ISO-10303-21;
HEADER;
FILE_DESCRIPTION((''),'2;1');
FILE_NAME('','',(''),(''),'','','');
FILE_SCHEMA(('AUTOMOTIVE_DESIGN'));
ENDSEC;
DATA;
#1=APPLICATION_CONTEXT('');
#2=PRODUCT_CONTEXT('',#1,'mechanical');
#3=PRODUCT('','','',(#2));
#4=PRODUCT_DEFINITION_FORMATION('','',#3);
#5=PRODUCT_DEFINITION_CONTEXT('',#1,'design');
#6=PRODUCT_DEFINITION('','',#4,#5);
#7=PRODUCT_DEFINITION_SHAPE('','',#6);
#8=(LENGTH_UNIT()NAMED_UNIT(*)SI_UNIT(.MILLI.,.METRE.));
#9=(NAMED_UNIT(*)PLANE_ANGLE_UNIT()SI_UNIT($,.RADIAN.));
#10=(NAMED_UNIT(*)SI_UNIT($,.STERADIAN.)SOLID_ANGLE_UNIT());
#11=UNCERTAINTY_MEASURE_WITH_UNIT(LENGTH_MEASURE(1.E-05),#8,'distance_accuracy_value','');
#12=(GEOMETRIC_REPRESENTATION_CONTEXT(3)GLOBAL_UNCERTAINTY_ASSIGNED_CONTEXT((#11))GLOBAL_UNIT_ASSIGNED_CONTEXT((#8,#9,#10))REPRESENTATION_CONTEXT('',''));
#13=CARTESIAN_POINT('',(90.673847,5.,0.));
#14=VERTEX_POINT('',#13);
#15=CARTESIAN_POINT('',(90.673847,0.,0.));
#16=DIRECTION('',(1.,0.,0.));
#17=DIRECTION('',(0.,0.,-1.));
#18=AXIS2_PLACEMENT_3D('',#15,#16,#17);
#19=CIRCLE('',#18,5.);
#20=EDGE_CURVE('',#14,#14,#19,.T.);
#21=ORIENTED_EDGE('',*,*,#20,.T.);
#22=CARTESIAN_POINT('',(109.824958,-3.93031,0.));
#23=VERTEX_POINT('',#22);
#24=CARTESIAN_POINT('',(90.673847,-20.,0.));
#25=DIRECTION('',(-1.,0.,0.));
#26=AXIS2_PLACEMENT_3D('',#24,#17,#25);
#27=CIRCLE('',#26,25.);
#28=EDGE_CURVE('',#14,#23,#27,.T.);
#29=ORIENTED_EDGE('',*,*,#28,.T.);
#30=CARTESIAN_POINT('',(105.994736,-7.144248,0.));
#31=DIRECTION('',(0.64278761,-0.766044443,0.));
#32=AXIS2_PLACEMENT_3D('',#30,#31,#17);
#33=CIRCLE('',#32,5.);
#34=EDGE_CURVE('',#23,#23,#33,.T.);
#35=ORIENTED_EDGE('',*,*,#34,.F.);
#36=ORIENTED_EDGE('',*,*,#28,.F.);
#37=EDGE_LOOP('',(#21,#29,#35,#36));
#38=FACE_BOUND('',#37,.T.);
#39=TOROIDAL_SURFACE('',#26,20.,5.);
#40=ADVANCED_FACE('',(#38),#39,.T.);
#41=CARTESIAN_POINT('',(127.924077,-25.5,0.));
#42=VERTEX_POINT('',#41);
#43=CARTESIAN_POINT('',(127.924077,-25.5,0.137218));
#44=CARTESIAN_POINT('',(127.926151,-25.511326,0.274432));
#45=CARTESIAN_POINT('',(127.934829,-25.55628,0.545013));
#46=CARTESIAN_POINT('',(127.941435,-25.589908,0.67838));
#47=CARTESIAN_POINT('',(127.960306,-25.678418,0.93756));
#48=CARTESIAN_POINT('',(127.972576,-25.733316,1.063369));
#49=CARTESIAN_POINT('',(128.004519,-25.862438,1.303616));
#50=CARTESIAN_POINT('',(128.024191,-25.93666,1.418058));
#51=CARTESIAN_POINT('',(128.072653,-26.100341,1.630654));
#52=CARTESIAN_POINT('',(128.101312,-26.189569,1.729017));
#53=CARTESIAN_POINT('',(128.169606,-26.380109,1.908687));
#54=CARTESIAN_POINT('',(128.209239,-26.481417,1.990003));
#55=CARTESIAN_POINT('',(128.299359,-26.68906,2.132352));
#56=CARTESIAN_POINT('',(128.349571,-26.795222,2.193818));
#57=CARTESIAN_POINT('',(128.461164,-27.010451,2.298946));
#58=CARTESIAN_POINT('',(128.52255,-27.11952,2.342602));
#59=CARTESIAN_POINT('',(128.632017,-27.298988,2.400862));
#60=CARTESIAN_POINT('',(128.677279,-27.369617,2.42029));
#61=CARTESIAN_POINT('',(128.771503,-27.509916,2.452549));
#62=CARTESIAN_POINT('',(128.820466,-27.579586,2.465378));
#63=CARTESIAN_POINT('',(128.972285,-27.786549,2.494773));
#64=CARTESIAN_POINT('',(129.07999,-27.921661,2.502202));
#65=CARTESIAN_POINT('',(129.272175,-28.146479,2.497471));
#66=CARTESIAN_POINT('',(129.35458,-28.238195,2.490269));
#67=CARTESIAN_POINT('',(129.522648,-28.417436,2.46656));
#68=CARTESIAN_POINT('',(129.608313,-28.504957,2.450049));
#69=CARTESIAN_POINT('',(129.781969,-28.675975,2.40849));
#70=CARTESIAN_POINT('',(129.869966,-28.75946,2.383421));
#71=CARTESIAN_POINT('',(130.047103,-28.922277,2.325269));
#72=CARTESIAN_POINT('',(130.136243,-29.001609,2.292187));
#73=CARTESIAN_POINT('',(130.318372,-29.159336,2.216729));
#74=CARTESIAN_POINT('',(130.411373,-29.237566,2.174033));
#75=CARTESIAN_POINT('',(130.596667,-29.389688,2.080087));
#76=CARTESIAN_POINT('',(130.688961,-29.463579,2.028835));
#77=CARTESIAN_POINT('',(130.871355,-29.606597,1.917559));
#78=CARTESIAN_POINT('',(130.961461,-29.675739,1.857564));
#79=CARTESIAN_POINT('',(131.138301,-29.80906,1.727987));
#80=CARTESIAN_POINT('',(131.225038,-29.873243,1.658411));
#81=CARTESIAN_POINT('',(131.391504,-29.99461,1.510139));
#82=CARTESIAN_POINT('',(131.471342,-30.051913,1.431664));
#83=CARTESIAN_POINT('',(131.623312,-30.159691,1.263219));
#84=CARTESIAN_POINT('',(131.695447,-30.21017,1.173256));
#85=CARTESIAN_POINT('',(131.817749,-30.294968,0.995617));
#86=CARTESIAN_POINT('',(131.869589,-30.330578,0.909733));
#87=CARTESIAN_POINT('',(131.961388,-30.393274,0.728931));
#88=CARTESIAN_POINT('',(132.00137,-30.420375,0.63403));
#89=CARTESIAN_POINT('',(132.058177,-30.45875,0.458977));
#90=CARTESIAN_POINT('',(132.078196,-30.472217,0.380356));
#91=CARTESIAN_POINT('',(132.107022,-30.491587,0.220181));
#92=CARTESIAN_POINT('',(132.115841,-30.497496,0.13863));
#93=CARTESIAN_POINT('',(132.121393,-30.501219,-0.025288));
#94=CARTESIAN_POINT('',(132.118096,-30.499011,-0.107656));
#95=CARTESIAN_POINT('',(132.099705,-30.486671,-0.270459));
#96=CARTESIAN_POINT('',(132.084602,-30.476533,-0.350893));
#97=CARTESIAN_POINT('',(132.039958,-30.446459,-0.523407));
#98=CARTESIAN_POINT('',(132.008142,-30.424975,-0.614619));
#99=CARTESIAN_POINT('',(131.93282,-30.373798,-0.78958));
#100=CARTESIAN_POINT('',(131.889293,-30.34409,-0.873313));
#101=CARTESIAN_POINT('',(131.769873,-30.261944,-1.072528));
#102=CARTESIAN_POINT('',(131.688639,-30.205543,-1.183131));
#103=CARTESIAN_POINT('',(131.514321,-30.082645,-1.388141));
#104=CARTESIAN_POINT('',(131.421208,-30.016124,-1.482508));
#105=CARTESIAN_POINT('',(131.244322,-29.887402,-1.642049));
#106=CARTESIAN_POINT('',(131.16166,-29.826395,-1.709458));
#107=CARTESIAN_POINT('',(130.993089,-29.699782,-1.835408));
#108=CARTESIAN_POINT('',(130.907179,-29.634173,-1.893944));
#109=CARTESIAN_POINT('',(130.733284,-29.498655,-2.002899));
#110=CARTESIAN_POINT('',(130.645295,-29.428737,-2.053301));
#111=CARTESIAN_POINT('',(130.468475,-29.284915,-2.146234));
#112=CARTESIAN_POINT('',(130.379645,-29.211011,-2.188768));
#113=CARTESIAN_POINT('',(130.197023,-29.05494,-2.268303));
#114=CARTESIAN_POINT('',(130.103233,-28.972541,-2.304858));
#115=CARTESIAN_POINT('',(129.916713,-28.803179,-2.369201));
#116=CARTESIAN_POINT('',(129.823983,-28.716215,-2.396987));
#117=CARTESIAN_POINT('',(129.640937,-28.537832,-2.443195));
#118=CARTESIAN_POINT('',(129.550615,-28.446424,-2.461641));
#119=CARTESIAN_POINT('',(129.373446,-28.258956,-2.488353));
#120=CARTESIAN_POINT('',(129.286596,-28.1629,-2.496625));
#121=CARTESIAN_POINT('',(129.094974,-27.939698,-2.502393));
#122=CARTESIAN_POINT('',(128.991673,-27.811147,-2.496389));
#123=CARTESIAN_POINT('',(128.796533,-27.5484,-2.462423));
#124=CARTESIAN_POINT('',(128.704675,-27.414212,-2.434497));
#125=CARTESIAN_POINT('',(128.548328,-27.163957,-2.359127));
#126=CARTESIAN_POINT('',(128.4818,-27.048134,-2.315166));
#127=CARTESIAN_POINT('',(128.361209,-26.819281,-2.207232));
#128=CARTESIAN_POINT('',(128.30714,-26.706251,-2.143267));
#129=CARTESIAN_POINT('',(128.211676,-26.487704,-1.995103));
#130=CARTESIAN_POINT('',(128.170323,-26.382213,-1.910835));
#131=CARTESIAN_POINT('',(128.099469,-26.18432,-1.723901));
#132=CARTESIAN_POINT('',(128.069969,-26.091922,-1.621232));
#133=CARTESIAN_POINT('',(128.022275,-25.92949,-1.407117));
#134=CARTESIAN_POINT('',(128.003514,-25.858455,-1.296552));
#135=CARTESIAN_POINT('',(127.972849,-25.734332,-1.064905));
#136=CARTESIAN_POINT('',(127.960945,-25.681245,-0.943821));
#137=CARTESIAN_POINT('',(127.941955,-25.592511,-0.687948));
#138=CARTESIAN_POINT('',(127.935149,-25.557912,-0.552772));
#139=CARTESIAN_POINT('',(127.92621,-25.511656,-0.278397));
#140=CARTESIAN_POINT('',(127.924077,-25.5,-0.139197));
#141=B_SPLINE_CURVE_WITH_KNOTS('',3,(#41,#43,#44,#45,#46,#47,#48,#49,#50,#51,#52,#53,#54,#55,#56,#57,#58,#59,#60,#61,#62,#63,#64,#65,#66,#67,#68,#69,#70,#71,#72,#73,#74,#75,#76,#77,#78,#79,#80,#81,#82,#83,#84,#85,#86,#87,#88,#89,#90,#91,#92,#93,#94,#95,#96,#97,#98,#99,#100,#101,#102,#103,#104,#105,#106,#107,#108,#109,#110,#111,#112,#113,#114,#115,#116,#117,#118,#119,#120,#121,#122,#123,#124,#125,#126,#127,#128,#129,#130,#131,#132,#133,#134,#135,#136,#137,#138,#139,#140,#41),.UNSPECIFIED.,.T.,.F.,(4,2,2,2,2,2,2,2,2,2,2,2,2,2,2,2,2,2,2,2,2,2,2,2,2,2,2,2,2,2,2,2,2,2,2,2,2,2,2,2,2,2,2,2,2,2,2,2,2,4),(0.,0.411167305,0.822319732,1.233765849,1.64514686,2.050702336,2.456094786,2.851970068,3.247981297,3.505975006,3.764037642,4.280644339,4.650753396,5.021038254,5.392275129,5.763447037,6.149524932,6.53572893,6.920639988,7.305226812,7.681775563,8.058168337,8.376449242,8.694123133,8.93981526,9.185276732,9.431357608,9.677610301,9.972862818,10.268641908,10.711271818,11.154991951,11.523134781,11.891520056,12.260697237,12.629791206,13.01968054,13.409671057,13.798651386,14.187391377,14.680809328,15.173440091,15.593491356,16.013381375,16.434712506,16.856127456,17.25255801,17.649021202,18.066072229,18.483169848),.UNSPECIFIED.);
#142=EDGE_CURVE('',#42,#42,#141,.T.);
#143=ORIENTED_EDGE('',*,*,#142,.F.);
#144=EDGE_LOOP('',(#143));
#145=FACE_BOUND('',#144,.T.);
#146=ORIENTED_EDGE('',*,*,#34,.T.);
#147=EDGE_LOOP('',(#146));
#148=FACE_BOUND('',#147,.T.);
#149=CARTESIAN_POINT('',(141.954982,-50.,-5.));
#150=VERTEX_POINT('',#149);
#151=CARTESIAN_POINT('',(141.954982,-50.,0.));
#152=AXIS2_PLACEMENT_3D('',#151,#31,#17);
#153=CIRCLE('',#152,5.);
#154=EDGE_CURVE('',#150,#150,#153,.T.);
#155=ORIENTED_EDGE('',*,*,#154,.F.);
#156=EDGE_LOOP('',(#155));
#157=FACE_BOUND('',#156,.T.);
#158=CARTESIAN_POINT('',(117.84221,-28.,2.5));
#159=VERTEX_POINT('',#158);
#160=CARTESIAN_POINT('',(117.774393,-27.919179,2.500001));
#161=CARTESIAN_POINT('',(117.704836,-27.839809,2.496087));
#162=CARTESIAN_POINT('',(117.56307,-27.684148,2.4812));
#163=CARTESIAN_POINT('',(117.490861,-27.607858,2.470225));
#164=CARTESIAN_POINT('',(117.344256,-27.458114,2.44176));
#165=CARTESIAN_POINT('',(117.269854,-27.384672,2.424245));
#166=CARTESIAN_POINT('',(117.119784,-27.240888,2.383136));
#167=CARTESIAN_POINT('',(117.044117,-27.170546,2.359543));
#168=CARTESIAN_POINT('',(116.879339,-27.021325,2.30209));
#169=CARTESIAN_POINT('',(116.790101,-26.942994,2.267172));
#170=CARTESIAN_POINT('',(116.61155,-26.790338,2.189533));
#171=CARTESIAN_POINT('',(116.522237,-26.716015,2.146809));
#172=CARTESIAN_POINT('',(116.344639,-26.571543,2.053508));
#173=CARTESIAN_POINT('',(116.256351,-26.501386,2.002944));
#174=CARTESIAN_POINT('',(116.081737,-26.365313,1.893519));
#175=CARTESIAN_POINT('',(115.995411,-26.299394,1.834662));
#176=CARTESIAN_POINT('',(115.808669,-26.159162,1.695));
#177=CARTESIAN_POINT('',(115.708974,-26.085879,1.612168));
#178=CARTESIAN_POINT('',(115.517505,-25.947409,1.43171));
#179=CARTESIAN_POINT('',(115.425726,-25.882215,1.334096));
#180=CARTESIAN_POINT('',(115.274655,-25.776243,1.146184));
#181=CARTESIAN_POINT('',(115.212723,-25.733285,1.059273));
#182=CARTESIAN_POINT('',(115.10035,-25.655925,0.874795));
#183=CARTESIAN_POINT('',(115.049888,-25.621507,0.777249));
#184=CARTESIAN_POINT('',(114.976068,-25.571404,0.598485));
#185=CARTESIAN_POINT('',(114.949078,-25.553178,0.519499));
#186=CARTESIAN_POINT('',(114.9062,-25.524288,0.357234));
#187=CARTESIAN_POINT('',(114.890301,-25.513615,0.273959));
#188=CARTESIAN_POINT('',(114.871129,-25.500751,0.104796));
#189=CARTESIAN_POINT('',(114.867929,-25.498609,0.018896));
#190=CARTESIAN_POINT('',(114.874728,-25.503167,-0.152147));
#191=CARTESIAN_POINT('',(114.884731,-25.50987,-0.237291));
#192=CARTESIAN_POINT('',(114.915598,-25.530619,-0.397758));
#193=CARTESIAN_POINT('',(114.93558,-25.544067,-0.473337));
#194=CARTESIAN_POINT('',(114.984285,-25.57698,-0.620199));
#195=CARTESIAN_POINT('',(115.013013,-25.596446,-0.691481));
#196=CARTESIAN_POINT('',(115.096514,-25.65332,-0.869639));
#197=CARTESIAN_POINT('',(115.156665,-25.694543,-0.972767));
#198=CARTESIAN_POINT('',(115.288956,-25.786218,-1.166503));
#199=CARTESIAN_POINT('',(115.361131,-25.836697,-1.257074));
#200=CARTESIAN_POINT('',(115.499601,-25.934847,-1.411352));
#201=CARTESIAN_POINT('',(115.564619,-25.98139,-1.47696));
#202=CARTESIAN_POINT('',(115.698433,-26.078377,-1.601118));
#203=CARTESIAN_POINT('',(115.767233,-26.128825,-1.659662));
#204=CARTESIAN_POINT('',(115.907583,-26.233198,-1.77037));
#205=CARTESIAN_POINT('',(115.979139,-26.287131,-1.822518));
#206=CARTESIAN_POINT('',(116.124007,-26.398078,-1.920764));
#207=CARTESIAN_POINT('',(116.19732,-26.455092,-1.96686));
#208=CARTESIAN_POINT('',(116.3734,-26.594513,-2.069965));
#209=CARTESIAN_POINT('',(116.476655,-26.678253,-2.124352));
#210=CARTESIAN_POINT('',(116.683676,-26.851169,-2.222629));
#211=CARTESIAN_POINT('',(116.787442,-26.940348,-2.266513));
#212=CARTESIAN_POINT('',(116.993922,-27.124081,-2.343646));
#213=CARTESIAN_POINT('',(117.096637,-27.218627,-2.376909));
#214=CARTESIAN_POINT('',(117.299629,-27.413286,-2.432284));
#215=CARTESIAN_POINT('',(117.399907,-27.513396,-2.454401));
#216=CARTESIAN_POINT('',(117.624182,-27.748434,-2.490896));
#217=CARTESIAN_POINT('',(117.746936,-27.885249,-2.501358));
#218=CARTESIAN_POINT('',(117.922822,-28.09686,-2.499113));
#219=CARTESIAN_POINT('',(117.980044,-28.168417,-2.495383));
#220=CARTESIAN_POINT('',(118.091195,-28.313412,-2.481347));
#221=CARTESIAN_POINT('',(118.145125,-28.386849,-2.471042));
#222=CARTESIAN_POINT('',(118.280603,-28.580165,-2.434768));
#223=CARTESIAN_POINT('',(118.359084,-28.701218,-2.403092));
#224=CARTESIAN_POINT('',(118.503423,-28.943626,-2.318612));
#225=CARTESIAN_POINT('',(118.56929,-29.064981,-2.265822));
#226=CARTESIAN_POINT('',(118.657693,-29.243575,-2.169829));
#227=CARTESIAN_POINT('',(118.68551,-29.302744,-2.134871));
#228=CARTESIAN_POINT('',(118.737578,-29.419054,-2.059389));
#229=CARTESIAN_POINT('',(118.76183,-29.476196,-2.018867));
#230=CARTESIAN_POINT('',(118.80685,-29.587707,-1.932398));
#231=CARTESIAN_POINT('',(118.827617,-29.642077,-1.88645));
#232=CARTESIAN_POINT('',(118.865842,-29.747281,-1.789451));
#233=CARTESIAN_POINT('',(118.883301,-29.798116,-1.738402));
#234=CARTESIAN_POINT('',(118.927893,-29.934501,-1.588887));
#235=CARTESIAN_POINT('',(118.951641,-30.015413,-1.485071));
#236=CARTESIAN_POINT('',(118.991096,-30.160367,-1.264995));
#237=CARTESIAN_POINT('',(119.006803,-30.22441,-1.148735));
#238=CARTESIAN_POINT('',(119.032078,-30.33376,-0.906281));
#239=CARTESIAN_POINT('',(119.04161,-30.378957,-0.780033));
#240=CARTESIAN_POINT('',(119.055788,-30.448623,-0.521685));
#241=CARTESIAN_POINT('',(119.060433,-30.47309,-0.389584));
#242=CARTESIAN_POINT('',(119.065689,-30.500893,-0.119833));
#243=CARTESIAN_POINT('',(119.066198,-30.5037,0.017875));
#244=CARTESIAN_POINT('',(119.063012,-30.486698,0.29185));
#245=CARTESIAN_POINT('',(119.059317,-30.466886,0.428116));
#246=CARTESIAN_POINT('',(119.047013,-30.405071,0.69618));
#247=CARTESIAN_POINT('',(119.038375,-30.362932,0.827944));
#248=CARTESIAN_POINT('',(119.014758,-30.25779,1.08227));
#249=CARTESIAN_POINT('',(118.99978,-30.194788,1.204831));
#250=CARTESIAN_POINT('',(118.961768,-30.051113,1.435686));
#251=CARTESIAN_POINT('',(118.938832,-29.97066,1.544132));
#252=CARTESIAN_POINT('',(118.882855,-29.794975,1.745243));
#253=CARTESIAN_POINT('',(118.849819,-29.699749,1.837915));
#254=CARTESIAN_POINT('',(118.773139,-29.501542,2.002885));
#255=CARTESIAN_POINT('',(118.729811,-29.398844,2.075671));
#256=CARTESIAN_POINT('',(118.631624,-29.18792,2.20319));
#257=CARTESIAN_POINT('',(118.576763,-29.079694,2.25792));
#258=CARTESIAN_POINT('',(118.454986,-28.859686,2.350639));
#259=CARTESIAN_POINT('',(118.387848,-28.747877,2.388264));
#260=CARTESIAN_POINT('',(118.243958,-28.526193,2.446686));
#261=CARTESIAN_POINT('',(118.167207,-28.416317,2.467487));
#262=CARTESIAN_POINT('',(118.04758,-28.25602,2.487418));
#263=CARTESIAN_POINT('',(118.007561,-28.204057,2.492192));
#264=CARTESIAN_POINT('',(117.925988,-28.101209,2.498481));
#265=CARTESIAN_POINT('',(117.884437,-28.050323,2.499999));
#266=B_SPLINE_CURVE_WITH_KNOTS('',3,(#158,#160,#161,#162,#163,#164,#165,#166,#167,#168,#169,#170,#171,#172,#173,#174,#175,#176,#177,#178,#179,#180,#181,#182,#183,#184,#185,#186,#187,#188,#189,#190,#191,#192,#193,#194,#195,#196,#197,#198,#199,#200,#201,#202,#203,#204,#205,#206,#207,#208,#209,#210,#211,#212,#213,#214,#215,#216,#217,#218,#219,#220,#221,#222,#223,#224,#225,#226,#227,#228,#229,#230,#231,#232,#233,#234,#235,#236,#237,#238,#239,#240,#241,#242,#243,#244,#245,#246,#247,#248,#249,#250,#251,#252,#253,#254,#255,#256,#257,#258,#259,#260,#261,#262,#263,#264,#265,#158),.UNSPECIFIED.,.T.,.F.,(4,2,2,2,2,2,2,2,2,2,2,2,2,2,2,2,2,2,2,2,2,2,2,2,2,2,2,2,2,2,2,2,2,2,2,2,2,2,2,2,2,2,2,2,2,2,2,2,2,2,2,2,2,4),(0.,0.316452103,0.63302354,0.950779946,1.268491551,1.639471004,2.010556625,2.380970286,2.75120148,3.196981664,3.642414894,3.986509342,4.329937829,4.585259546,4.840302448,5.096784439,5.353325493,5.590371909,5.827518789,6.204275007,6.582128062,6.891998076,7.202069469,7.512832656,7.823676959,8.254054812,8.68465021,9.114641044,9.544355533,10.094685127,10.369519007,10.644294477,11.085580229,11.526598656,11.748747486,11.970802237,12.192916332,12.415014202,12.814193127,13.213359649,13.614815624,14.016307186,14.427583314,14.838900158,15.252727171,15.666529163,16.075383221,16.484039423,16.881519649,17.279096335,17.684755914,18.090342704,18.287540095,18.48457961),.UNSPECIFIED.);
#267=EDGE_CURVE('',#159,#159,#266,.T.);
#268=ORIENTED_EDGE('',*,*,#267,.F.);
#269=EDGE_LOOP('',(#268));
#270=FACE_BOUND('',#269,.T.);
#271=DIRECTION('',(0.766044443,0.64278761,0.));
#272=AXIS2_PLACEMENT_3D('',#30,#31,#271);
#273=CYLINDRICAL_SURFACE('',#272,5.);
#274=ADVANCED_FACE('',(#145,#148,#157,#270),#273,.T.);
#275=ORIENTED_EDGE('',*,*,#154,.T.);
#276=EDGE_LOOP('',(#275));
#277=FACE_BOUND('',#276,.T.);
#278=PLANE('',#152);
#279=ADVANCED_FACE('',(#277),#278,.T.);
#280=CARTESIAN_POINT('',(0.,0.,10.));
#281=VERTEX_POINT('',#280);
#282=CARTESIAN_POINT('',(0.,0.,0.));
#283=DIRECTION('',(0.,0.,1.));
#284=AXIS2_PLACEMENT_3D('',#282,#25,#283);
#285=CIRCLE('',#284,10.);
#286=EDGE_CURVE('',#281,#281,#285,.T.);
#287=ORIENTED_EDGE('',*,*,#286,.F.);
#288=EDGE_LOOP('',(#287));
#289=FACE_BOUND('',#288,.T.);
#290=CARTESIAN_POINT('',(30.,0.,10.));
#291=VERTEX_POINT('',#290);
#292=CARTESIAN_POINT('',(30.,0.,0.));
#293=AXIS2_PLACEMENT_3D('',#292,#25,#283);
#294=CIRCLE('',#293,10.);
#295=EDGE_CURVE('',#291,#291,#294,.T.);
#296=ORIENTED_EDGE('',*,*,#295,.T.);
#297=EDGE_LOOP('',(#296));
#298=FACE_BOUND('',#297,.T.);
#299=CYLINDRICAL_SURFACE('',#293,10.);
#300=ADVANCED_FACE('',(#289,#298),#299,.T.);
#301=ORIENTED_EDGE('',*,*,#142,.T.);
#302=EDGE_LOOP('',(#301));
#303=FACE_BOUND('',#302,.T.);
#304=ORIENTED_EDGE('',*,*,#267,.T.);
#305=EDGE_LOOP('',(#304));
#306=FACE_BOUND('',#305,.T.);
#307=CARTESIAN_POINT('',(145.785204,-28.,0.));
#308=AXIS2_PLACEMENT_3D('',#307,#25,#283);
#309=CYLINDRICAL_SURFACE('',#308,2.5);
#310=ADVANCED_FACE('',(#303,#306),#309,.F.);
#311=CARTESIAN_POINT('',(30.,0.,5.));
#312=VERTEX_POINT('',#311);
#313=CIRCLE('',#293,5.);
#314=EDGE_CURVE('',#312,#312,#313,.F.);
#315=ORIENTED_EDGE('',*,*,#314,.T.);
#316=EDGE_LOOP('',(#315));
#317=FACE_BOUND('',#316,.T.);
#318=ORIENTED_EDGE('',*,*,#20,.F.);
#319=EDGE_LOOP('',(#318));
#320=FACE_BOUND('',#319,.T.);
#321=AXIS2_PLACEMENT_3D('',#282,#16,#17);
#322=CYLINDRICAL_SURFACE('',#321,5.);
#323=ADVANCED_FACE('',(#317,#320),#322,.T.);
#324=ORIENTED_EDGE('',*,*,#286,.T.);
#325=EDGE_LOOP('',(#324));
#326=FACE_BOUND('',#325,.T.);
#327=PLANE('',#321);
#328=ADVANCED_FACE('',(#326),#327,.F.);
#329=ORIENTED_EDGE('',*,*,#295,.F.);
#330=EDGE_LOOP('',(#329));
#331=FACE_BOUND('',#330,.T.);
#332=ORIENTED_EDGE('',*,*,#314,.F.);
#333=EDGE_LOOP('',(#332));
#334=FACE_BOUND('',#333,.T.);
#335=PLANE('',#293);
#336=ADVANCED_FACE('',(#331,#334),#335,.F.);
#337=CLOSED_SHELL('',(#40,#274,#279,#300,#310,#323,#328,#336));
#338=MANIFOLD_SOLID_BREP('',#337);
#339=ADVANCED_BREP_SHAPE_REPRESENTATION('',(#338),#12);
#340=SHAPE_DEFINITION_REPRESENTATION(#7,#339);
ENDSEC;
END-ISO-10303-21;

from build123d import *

# Parameters (mm, degrees)
PRUREZ_R                 = 5
SKICA3_R                 = 10
P_IDAT_VYSUNUT_M1_DEPTH  = 30
SKICA4_R                 = 2.5
ODEBRAT_VYSUNUT_M1_DEPTH = 156.515429595


with BuildPart() as part:
    # Táhnout po křivce1: sweep along a path in Draha
    with BuildLine(Plane.XY) as t_hnout_po_k_ivce1_path:
        Line((0, 0), (90.673846837, 0))
        ThreePointArc((90.673846837, 0), (99.126212072, -1.873844259), (105.994735699, -7.144247806))
        Line((105.994735699, -7.144247806), (141.954981559, -50))
    # Prurez → Táhnout po křivce1 (sweep)
    with BuildSketch(Plane(origin=(0, 0, 0), x_dir=(0, 0, -1), z_dir=(1, 0, 0))):
        Circle(PRUREZ_R)
    sweep(path=t_hnout_po_k_ivce1_path.line)

    # Skica3 → Přidat vysunutím1 (add)
    with BuildSketch(Plane.ZY):
        Circle(SKICA3_R)
    extrude(amount=-P_IDAT_VYSUNUT_M1_DEPTH)

    # Skica4 → Odebrat vysunutím1 (cut, through all)
    with BuildSketch(Plane.ZY):
        with Locations((0, -28)):
            Circle(SKICA4_R)
    extrude(amount=-ODEBRAT_VYSUNUT_M1_DEPTH, mode=Mode.SUBTRACT)


solid = part.part
